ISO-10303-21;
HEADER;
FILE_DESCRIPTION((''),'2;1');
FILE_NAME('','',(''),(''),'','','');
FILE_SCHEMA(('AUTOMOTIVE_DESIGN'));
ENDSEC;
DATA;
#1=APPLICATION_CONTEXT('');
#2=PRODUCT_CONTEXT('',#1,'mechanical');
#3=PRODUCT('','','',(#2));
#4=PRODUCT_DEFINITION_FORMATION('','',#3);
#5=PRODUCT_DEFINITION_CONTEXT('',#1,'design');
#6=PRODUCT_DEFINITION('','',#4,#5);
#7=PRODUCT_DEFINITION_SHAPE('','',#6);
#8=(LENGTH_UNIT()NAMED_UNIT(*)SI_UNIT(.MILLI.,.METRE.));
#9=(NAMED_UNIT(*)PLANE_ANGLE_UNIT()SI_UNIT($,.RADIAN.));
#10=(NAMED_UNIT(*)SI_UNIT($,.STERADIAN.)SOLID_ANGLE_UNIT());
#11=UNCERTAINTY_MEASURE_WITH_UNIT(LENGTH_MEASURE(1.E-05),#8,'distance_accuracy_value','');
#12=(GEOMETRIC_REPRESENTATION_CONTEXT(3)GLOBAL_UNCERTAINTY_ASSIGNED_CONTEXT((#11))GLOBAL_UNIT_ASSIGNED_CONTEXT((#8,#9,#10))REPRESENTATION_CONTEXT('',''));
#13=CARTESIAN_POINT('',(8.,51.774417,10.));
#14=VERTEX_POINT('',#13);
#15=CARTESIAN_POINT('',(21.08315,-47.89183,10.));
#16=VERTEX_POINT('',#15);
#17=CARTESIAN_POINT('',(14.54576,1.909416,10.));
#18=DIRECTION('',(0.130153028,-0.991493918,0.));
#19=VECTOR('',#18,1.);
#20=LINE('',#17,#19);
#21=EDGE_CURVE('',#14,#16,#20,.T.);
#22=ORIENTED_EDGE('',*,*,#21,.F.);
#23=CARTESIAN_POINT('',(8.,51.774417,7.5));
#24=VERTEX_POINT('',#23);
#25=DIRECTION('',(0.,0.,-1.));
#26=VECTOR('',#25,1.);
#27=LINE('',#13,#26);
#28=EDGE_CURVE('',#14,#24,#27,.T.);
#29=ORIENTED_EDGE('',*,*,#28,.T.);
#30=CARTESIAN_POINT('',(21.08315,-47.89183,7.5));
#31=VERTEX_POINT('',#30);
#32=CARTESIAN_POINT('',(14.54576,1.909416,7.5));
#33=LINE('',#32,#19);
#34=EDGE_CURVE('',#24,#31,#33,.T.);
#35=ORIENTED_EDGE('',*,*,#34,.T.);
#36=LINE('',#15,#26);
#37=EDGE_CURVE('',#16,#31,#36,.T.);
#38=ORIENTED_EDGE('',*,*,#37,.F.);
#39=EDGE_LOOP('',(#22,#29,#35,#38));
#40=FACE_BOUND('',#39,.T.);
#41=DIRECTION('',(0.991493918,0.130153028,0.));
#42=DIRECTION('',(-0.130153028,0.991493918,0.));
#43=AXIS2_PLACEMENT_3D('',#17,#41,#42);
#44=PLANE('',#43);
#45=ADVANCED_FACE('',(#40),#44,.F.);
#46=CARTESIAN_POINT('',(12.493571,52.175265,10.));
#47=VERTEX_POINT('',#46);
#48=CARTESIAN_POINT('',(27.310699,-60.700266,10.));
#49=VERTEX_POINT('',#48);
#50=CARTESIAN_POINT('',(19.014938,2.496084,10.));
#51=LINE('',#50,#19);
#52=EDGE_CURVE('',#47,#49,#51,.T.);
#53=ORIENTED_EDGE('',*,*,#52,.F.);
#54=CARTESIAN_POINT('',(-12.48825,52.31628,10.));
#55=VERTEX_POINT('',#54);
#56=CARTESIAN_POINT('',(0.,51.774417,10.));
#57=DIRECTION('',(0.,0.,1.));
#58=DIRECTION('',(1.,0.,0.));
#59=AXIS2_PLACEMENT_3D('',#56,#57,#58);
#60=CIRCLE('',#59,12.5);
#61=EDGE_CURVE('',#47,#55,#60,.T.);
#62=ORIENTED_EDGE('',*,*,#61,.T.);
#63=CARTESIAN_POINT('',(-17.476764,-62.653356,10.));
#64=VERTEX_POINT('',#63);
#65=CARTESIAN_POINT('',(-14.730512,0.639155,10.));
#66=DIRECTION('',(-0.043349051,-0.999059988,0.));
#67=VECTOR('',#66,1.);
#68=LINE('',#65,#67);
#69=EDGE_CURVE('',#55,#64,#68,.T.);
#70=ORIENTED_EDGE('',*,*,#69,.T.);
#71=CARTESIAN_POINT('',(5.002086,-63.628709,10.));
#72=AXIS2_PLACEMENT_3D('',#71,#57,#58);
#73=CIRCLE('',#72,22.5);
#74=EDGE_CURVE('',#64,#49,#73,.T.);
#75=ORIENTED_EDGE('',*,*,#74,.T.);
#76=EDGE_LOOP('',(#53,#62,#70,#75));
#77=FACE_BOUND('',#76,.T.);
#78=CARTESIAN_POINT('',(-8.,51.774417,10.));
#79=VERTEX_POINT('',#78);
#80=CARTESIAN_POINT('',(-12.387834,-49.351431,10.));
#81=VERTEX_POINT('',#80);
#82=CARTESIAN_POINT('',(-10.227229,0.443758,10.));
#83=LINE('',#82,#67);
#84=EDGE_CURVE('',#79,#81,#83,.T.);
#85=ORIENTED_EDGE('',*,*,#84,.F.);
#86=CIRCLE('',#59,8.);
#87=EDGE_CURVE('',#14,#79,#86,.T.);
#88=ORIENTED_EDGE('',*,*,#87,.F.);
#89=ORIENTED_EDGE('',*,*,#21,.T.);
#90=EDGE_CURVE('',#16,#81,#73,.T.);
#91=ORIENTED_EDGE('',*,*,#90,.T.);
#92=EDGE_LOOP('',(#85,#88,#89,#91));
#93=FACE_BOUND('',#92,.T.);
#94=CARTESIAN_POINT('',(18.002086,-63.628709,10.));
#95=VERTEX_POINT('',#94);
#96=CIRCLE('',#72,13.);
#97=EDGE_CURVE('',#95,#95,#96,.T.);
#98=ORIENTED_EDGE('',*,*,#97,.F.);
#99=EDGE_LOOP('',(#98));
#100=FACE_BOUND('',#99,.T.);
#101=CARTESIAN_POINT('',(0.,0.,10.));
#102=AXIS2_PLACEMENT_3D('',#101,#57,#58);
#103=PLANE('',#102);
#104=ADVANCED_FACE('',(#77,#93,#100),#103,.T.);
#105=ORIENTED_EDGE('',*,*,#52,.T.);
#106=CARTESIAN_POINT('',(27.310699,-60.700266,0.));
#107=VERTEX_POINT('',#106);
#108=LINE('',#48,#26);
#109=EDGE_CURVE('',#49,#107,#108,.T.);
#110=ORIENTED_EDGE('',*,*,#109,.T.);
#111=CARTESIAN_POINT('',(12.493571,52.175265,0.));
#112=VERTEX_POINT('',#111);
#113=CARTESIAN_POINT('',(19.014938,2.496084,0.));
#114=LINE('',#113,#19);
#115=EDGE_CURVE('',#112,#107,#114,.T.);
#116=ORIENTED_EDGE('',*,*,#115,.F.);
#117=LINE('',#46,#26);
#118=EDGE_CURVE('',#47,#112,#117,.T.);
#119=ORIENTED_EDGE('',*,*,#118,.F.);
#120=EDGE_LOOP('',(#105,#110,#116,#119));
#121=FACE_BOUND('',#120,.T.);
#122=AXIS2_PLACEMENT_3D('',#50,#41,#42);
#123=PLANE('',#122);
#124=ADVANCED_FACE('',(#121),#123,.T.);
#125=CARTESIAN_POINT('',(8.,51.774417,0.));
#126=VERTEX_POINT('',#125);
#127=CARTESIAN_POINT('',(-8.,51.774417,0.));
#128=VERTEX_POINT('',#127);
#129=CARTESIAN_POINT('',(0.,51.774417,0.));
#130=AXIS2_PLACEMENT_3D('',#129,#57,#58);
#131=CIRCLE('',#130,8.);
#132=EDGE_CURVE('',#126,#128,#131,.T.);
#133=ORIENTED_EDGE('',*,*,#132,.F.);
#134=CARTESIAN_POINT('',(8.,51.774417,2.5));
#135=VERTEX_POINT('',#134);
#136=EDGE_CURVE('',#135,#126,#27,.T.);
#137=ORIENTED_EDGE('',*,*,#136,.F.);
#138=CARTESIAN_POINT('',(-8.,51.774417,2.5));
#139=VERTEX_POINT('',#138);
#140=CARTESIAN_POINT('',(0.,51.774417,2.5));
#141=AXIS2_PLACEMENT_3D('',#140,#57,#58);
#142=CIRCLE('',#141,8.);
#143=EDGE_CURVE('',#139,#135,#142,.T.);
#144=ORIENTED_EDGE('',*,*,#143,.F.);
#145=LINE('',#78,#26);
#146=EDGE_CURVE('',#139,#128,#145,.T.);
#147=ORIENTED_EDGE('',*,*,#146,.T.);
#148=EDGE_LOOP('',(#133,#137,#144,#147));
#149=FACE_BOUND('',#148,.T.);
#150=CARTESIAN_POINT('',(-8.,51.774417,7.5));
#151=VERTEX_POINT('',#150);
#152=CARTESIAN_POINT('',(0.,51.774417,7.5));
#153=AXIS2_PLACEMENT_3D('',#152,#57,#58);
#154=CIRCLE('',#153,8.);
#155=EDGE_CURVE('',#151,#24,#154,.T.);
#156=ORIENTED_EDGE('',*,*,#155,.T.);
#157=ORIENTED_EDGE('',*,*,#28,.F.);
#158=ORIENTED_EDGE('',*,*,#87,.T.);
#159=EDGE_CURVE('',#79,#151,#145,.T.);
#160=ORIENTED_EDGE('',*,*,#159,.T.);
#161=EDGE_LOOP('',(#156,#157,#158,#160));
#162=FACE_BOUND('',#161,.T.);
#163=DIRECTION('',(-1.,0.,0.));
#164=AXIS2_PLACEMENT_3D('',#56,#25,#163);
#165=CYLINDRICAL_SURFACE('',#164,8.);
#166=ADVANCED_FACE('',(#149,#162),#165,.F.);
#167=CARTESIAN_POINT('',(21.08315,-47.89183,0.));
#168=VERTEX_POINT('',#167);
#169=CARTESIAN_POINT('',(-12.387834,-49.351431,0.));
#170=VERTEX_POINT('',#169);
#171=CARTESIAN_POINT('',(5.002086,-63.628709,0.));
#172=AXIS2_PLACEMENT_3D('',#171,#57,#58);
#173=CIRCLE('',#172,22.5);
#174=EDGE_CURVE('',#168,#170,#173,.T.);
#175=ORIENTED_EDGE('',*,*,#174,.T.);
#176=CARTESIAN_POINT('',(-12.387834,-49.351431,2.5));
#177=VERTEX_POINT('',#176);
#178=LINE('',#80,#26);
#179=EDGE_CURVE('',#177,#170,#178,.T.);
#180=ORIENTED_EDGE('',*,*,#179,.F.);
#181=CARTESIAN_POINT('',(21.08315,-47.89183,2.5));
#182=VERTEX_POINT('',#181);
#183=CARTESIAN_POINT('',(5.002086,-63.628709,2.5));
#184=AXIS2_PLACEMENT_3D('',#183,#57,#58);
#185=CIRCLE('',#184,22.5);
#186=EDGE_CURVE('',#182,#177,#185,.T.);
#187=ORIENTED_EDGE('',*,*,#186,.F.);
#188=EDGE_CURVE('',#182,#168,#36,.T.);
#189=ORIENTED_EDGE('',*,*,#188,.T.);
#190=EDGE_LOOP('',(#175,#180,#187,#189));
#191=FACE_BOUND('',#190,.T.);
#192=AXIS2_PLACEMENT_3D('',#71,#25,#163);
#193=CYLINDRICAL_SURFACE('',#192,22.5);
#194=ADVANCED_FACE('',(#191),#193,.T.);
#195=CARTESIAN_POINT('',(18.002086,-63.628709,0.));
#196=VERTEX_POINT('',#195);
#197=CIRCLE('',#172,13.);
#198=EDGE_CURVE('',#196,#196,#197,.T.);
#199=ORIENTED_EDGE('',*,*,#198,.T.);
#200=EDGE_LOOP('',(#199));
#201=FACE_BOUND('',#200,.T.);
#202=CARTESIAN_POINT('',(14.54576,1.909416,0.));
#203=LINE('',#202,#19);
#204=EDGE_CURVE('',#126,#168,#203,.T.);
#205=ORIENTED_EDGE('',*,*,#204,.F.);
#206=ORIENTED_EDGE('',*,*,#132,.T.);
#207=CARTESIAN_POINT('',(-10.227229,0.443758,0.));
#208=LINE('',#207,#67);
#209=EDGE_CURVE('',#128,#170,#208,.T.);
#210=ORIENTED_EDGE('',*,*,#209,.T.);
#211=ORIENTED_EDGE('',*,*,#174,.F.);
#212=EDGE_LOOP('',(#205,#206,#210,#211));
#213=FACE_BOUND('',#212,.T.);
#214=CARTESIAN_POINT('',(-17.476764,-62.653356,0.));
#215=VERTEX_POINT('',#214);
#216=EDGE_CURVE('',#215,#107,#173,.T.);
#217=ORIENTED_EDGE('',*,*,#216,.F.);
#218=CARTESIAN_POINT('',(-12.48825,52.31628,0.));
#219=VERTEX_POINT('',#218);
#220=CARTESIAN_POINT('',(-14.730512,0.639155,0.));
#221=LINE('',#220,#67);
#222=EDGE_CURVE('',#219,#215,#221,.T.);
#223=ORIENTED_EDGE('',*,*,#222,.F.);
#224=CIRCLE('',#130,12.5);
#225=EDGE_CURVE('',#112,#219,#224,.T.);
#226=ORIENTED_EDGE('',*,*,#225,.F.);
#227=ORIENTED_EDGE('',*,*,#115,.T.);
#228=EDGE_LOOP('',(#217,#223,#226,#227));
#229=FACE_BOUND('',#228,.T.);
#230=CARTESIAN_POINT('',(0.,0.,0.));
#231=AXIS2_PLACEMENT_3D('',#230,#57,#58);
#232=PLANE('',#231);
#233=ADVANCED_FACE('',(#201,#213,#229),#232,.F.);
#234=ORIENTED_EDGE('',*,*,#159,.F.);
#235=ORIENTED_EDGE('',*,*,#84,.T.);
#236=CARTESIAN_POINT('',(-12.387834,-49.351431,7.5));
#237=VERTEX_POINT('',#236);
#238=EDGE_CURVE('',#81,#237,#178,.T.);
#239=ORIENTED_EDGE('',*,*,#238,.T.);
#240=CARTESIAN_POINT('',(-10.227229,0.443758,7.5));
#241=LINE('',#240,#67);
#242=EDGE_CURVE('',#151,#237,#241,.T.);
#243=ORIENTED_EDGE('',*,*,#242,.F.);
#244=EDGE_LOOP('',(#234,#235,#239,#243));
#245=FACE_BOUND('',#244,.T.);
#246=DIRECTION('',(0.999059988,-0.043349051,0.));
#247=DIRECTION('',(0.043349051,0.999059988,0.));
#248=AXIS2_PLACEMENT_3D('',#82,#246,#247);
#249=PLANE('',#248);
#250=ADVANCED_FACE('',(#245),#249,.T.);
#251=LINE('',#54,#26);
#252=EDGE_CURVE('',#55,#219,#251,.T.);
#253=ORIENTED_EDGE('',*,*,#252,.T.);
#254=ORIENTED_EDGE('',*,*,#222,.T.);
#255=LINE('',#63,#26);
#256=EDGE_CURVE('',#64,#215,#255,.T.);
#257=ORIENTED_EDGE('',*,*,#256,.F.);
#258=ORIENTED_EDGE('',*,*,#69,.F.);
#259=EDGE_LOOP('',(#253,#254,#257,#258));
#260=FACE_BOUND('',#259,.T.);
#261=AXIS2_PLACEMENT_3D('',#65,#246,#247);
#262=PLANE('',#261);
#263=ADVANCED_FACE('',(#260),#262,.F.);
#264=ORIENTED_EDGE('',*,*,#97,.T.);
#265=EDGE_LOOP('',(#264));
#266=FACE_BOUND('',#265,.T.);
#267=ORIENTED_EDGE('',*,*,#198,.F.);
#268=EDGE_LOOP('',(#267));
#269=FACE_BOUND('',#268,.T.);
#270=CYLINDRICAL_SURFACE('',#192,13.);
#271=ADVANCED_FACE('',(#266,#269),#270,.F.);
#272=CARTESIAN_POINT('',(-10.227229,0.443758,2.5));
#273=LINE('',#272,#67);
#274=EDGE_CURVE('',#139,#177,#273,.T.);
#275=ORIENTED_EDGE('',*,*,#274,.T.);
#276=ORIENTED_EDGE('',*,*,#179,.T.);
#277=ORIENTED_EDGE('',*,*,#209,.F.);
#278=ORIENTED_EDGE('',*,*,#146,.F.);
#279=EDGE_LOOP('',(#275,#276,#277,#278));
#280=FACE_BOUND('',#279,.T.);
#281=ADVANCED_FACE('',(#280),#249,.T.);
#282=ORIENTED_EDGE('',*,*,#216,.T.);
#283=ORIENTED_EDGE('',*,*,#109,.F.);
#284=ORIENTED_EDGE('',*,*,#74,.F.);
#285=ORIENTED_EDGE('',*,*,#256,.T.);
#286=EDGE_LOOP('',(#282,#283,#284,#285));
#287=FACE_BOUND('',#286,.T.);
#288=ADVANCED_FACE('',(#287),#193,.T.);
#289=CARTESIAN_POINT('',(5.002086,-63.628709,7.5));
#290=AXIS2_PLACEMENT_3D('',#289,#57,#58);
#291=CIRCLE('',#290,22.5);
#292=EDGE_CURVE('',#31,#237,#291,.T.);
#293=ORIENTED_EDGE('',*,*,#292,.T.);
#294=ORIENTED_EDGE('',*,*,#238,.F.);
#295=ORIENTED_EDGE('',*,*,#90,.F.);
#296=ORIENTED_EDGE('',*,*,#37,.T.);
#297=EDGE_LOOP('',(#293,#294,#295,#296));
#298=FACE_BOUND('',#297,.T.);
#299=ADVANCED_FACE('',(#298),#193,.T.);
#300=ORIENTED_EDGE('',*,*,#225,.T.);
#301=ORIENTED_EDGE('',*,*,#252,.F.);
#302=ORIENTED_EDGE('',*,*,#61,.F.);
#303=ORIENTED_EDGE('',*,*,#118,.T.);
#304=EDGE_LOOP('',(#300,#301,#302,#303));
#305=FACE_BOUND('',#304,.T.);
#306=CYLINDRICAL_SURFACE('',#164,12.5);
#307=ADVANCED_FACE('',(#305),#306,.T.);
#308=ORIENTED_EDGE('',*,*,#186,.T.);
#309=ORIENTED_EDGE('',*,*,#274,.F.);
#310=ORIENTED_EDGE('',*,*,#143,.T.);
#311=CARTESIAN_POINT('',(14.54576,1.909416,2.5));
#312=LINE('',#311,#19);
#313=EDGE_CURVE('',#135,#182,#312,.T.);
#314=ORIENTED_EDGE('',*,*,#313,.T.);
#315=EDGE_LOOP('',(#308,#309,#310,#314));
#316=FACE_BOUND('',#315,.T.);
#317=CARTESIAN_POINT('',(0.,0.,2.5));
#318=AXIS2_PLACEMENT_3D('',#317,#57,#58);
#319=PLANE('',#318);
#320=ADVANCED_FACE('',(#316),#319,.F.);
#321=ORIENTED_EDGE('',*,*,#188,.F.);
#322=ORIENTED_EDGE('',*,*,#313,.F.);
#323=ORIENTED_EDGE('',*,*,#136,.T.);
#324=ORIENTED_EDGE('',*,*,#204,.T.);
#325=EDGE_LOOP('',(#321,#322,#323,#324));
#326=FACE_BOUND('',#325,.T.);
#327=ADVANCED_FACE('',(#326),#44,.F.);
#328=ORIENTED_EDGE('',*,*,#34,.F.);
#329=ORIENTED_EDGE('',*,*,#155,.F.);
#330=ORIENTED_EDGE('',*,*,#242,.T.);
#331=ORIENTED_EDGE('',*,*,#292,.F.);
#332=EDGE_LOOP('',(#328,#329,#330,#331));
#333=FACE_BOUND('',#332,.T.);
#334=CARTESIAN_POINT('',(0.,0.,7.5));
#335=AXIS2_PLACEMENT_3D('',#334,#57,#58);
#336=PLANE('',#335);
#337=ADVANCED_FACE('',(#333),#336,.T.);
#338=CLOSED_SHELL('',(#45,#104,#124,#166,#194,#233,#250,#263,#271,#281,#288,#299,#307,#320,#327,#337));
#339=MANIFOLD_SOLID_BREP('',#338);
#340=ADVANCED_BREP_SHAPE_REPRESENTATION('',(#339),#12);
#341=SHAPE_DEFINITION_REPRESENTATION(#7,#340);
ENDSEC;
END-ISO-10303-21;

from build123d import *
from build123d.topology import SkipClean

# Parameters (mm, degrees)
SKETCH1_R           = 13
BOSS_EXTRUDE1_DEPTH = 10
BOSS_EXTRUDE2_DEPTH = 2.5


with BuildPart() as part:
    # Sketch1 → Boss-Extrude1 (new body)
    with BuildSketch(Plane.XY):
        with BuildLine():
            ThreePointArc((12.493571176, 52.175265389), (0.070557662, 64.274218072), (-12.488249851, 52.316280347))
            Line((-12.488249851, 52.316280347), (-17.476763734, -62.653355789))
            ThreePointArc((-17.476763734, -62.653355789), (5.982333293, -86.1073463), (27.31069915, -60.700266301))
            Line((27.31069915, -60.700266301), (12.493571176, 52.175265389))
        make_face()
        with Locations((5.002085998, -63.628709437)):
            Circle(SKETCH1_R, mode=Mode.SUBTRACT)
        with BuildLine():
            Line((-12.387834173, -49.351431108), (-8, 51.774417209))
            ThreePointArc((-8, 51.774417209), (0, 59.774417209), (8, 51.774417209))
            Line((8, 51.774417209), (21.083150248, -47.891830059))
            ThreePointArc((21.083150248, -47.891830059), (4.021838702, -41.150072573), (-12.387834173, -49.351431108))
        make_face(mode=Mode.SUBTRACT)
    extrude(amount=BOSS_EXTRUDE1_DEPTH)

    # Sketch2 → Boss-Extrude2 (add, symmetric)
    with SkipClean():  # the faces are left unmerged after this step: merging them gives an invalid solid
        with BuildSketch(Plane.XY.offset(5)):
            with BuildLine():
                ThreePointArc((8, 51.774417209), (0, 43.774417209), (-8, 51.774417209))
                Line((-8, 51.774417209), (-12.387834173, -49.351431108))
                ThreePointArc((-12.387834173, -49.351431108), (4.021838702, -41.150072573), (21.083150248, -47.891830059))
                Line((21.083150248, -47.891830059), (8, 51.774417209))
            make_face()
        extrude(amount=BOSS_EXTRUDE2_DEPTH, both=True)


solid = part.part
